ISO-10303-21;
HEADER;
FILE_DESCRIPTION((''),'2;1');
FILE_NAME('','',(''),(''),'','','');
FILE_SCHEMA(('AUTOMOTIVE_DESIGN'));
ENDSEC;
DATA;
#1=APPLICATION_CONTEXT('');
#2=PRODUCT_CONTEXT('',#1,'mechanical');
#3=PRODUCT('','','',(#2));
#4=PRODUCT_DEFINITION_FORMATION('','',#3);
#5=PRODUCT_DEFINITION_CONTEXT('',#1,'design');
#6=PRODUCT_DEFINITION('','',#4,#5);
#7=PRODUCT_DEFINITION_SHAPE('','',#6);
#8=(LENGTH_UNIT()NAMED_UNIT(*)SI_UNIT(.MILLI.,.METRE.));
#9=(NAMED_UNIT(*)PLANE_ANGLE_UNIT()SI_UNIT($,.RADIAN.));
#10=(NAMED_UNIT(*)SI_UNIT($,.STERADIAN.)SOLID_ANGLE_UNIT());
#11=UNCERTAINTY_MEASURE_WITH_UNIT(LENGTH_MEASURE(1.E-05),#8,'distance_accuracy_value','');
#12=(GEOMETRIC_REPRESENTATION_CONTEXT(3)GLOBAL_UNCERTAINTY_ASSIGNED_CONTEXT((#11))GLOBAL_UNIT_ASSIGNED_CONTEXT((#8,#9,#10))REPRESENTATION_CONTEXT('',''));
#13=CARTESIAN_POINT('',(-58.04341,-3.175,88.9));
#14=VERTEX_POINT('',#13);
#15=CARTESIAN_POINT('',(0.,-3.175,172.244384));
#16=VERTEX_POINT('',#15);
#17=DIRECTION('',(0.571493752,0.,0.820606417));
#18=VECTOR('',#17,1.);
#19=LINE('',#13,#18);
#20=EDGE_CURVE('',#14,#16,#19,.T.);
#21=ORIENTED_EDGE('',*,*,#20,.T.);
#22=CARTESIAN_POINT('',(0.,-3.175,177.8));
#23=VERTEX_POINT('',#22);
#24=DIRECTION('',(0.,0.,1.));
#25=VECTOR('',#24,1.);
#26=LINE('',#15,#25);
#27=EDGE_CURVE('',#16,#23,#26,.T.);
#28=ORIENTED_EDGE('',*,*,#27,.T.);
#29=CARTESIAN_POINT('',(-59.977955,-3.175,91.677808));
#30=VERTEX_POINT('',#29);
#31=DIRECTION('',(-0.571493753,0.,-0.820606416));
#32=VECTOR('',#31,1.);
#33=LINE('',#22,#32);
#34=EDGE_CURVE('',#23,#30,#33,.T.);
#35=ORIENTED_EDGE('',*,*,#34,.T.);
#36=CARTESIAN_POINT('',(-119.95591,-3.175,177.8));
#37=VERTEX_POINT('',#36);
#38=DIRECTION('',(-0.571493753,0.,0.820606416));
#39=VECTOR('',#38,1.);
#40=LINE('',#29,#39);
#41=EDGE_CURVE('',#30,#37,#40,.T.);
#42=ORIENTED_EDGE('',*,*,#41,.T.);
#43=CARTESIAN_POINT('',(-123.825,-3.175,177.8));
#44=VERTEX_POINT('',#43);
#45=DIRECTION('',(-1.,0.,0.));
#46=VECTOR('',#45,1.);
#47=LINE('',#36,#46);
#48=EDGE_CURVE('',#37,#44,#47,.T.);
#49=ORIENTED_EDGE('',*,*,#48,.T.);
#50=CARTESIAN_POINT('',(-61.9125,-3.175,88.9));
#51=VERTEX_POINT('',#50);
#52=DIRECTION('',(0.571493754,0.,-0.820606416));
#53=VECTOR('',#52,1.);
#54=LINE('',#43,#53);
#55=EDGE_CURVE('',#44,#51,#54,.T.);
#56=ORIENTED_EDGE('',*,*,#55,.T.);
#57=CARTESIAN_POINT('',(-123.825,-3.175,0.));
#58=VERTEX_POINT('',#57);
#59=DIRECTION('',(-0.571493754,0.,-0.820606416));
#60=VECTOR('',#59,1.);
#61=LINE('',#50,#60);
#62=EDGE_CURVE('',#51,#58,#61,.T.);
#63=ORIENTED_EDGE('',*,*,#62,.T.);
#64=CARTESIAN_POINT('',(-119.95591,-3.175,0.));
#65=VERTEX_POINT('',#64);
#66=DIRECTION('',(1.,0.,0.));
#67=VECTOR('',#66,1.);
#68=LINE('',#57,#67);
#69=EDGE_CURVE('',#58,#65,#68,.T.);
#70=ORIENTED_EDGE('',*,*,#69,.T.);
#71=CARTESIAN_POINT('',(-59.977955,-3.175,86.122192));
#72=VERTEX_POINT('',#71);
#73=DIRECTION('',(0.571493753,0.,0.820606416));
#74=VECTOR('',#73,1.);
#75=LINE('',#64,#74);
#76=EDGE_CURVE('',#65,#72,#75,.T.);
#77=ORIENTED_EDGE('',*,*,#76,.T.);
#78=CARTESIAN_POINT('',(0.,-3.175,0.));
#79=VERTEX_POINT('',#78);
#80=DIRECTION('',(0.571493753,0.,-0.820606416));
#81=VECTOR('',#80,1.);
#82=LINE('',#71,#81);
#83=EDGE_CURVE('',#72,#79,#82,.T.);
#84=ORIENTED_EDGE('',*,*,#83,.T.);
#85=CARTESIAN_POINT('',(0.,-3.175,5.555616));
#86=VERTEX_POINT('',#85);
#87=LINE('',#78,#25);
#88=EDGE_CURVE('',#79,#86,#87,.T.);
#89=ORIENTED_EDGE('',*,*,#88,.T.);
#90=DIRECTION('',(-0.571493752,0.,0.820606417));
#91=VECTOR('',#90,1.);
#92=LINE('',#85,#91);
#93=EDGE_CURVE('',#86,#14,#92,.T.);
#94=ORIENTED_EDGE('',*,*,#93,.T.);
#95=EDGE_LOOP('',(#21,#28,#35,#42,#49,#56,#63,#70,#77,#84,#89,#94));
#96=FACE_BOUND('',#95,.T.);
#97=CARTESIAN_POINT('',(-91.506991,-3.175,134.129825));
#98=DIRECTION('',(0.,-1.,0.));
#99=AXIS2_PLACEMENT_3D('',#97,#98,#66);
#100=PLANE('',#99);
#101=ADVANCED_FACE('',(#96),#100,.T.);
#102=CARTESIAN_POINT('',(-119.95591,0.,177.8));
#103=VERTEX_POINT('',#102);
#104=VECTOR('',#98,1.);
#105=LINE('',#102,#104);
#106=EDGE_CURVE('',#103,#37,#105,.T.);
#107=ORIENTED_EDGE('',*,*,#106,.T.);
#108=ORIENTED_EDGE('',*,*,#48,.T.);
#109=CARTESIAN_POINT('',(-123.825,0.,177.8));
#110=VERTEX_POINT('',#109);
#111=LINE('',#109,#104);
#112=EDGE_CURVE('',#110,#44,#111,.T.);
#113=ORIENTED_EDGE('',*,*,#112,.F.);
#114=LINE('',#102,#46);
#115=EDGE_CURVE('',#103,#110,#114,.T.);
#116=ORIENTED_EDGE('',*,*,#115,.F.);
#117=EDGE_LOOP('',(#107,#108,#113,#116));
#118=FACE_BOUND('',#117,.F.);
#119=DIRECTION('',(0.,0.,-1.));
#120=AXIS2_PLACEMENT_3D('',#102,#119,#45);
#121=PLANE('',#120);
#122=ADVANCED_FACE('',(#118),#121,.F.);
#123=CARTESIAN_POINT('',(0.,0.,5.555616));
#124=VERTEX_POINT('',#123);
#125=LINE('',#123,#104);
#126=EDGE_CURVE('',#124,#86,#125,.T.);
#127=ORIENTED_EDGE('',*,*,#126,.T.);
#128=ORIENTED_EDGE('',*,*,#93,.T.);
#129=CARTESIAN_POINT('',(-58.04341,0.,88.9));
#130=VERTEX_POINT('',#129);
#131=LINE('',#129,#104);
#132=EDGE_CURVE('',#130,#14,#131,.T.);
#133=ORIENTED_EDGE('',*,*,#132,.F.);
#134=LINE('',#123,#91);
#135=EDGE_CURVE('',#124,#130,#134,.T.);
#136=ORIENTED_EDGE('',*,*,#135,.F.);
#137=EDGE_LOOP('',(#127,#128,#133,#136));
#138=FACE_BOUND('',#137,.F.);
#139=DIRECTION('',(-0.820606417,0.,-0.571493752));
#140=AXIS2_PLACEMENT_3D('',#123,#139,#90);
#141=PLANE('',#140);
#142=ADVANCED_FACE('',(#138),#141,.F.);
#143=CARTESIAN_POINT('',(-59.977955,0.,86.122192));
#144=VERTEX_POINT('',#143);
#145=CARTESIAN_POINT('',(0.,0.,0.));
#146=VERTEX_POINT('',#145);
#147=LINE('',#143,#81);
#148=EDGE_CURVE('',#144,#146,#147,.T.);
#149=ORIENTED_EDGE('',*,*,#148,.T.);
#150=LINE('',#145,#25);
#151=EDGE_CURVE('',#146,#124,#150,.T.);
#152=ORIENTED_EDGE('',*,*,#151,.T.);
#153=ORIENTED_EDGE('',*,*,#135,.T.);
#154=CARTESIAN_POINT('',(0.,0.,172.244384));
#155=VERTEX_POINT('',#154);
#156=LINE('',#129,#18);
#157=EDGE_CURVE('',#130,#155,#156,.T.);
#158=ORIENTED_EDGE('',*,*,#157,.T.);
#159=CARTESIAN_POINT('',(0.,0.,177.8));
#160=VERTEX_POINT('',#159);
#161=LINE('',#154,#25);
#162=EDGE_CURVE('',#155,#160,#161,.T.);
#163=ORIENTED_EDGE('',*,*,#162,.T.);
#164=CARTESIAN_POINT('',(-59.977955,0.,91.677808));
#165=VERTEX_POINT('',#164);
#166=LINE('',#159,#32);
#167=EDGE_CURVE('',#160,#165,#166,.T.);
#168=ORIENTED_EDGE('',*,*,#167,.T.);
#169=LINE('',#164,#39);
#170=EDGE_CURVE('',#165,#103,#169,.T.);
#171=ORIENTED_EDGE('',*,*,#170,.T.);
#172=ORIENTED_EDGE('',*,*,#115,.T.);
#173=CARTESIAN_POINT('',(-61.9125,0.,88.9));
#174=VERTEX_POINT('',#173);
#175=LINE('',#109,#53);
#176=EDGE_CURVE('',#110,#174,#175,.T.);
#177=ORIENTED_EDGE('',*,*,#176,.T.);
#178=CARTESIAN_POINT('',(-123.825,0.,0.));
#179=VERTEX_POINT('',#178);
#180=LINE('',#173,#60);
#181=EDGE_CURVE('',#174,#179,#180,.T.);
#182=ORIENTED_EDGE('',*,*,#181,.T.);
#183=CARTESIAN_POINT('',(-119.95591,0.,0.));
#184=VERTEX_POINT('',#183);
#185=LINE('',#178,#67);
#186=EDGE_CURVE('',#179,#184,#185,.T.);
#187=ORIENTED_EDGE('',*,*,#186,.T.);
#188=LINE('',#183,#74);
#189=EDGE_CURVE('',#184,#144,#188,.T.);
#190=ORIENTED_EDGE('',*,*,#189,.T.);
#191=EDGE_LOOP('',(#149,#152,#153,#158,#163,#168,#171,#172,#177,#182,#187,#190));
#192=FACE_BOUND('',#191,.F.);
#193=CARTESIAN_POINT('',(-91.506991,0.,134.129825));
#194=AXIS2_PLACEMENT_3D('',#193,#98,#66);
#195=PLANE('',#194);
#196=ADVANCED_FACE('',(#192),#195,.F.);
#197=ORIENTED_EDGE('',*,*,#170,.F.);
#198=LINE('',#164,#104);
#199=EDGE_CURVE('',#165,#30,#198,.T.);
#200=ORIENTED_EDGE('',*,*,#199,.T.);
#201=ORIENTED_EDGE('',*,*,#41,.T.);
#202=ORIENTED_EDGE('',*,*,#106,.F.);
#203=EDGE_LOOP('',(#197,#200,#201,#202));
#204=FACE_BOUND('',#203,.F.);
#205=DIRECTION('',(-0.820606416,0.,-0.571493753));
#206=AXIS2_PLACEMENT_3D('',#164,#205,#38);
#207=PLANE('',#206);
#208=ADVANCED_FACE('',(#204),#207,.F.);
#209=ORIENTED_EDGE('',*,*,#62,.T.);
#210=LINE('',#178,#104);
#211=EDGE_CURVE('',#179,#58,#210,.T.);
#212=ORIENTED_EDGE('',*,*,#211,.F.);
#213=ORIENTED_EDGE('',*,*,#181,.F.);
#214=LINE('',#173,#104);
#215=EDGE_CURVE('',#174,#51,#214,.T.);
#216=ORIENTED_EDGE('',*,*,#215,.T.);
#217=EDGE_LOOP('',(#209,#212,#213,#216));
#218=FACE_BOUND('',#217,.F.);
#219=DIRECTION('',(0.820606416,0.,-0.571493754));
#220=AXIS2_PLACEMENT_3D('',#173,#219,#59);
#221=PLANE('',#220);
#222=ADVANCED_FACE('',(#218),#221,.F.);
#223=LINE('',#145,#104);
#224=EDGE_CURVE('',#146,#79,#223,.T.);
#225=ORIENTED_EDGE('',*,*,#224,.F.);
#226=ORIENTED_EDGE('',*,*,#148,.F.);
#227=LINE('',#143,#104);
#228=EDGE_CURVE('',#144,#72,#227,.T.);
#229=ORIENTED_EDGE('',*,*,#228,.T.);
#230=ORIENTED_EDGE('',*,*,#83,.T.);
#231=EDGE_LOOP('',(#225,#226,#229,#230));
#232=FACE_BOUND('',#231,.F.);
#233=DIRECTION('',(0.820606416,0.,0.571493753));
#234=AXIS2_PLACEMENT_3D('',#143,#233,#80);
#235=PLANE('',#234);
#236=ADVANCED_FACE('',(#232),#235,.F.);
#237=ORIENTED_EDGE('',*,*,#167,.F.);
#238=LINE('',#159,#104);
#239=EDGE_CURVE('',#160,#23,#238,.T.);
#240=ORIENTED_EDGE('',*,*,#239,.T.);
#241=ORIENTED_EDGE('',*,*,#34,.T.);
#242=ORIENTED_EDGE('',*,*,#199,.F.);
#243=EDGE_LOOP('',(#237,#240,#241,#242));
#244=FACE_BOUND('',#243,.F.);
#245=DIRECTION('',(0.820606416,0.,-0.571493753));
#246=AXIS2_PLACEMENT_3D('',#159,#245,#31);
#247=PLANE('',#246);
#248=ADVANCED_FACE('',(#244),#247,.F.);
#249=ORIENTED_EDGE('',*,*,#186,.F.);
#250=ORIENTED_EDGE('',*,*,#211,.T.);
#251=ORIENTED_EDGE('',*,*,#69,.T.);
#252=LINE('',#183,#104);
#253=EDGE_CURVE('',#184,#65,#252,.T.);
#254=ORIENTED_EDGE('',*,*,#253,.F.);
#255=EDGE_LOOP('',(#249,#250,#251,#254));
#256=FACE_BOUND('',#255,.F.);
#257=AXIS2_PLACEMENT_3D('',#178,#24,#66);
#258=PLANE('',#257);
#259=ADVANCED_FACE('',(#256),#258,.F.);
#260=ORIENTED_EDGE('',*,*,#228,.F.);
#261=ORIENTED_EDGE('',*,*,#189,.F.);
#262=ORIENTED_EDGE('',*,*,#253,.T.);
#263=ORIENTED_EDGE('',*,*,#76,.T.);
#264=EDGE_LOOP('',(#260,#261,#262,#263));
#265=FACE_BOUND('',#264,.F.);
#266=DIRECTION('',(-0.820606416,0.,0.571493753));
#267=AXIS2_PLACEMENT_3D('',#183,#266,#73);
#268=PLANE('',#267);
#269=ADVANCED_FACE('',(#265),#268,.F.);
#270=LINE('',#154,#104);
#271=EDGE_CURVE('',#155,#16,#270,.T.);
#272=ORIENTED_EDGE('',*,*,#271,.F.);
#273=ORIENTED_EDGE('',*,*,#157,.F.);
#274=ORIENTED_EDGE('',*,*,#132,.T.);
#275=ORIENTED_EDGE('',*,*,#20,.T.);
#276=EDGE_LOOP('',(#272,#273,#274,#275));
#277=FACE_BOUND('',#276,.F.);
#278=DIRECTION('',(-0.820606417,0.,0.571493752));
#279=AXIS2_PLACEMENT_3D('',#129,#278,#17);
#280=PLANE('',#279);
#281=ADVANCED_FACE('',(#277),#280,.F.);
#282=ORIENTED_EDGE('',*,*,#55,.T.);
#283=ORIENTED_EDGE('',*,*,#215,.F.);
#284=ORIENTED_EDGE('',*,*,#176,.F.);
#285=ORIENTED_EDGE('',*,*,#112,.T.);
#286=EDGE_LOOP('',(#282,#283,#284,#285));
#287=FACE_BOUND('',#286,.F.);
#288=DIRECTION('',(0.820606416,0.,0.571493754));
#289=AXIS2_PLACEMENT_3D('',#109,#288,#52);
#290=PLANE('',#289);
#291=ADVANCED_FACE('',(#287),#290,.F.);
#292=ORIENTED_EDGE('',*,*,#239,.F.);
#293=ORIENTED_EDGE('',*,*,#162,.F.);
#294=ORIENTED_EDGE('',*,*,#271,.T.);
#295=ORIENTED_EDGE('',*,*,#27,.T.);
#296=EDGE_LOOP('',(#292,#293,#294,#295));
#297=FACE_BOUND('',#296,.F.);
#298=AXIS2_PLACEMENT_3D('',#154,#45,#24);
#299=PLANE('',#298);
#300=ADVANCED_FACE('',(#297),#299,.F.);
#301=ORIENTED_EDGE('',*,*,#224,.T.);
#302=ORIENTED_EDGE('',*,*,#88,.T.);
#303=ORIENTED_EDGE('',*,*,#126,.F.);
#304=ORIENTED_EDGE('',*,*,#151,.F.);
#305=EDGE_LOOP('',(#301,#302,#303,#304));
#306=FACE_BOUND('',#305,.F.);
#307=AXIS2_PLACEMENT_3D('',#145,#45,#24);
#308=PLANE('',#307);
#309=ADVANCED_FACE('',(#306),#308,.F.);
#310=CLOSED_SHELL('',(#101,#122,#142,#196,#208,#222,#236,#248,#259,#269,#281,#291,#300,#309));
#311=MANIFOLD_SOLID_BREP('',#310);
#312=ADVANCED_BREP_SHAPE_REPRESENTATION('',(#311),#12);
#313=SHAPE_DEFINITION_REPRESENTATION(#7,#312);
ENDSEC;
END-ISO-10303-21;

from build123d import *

# Parameters (mm, degrees)
F1_DEPTH = 3.175


with BuildPart() as f1:
    # F0 (on Front) → F1 (new body)
    with BuildSketch(Plane.XZ):
        Polygon((-119.95591, 177.8), (-123.825, 177.8), (-61.9125, 88.9), (-59.977955, 91.677808), align=None)
        Polygon((-59.977955, 86.122192), (0, 0), (0, 5.555616), (-58.04341, 88.9), align=None)
        Polygon((-123.825, 0), (-119.95591, 0), (-59.977955, 86.122192), (-58.04341, 88.9), (0, 172.244384), (0, 177.8), (-59.977955, 91.677808), (-61.9125, 88.9), align=None)
    extrude(amount=F1_DEPTH)


solid = f1.part
